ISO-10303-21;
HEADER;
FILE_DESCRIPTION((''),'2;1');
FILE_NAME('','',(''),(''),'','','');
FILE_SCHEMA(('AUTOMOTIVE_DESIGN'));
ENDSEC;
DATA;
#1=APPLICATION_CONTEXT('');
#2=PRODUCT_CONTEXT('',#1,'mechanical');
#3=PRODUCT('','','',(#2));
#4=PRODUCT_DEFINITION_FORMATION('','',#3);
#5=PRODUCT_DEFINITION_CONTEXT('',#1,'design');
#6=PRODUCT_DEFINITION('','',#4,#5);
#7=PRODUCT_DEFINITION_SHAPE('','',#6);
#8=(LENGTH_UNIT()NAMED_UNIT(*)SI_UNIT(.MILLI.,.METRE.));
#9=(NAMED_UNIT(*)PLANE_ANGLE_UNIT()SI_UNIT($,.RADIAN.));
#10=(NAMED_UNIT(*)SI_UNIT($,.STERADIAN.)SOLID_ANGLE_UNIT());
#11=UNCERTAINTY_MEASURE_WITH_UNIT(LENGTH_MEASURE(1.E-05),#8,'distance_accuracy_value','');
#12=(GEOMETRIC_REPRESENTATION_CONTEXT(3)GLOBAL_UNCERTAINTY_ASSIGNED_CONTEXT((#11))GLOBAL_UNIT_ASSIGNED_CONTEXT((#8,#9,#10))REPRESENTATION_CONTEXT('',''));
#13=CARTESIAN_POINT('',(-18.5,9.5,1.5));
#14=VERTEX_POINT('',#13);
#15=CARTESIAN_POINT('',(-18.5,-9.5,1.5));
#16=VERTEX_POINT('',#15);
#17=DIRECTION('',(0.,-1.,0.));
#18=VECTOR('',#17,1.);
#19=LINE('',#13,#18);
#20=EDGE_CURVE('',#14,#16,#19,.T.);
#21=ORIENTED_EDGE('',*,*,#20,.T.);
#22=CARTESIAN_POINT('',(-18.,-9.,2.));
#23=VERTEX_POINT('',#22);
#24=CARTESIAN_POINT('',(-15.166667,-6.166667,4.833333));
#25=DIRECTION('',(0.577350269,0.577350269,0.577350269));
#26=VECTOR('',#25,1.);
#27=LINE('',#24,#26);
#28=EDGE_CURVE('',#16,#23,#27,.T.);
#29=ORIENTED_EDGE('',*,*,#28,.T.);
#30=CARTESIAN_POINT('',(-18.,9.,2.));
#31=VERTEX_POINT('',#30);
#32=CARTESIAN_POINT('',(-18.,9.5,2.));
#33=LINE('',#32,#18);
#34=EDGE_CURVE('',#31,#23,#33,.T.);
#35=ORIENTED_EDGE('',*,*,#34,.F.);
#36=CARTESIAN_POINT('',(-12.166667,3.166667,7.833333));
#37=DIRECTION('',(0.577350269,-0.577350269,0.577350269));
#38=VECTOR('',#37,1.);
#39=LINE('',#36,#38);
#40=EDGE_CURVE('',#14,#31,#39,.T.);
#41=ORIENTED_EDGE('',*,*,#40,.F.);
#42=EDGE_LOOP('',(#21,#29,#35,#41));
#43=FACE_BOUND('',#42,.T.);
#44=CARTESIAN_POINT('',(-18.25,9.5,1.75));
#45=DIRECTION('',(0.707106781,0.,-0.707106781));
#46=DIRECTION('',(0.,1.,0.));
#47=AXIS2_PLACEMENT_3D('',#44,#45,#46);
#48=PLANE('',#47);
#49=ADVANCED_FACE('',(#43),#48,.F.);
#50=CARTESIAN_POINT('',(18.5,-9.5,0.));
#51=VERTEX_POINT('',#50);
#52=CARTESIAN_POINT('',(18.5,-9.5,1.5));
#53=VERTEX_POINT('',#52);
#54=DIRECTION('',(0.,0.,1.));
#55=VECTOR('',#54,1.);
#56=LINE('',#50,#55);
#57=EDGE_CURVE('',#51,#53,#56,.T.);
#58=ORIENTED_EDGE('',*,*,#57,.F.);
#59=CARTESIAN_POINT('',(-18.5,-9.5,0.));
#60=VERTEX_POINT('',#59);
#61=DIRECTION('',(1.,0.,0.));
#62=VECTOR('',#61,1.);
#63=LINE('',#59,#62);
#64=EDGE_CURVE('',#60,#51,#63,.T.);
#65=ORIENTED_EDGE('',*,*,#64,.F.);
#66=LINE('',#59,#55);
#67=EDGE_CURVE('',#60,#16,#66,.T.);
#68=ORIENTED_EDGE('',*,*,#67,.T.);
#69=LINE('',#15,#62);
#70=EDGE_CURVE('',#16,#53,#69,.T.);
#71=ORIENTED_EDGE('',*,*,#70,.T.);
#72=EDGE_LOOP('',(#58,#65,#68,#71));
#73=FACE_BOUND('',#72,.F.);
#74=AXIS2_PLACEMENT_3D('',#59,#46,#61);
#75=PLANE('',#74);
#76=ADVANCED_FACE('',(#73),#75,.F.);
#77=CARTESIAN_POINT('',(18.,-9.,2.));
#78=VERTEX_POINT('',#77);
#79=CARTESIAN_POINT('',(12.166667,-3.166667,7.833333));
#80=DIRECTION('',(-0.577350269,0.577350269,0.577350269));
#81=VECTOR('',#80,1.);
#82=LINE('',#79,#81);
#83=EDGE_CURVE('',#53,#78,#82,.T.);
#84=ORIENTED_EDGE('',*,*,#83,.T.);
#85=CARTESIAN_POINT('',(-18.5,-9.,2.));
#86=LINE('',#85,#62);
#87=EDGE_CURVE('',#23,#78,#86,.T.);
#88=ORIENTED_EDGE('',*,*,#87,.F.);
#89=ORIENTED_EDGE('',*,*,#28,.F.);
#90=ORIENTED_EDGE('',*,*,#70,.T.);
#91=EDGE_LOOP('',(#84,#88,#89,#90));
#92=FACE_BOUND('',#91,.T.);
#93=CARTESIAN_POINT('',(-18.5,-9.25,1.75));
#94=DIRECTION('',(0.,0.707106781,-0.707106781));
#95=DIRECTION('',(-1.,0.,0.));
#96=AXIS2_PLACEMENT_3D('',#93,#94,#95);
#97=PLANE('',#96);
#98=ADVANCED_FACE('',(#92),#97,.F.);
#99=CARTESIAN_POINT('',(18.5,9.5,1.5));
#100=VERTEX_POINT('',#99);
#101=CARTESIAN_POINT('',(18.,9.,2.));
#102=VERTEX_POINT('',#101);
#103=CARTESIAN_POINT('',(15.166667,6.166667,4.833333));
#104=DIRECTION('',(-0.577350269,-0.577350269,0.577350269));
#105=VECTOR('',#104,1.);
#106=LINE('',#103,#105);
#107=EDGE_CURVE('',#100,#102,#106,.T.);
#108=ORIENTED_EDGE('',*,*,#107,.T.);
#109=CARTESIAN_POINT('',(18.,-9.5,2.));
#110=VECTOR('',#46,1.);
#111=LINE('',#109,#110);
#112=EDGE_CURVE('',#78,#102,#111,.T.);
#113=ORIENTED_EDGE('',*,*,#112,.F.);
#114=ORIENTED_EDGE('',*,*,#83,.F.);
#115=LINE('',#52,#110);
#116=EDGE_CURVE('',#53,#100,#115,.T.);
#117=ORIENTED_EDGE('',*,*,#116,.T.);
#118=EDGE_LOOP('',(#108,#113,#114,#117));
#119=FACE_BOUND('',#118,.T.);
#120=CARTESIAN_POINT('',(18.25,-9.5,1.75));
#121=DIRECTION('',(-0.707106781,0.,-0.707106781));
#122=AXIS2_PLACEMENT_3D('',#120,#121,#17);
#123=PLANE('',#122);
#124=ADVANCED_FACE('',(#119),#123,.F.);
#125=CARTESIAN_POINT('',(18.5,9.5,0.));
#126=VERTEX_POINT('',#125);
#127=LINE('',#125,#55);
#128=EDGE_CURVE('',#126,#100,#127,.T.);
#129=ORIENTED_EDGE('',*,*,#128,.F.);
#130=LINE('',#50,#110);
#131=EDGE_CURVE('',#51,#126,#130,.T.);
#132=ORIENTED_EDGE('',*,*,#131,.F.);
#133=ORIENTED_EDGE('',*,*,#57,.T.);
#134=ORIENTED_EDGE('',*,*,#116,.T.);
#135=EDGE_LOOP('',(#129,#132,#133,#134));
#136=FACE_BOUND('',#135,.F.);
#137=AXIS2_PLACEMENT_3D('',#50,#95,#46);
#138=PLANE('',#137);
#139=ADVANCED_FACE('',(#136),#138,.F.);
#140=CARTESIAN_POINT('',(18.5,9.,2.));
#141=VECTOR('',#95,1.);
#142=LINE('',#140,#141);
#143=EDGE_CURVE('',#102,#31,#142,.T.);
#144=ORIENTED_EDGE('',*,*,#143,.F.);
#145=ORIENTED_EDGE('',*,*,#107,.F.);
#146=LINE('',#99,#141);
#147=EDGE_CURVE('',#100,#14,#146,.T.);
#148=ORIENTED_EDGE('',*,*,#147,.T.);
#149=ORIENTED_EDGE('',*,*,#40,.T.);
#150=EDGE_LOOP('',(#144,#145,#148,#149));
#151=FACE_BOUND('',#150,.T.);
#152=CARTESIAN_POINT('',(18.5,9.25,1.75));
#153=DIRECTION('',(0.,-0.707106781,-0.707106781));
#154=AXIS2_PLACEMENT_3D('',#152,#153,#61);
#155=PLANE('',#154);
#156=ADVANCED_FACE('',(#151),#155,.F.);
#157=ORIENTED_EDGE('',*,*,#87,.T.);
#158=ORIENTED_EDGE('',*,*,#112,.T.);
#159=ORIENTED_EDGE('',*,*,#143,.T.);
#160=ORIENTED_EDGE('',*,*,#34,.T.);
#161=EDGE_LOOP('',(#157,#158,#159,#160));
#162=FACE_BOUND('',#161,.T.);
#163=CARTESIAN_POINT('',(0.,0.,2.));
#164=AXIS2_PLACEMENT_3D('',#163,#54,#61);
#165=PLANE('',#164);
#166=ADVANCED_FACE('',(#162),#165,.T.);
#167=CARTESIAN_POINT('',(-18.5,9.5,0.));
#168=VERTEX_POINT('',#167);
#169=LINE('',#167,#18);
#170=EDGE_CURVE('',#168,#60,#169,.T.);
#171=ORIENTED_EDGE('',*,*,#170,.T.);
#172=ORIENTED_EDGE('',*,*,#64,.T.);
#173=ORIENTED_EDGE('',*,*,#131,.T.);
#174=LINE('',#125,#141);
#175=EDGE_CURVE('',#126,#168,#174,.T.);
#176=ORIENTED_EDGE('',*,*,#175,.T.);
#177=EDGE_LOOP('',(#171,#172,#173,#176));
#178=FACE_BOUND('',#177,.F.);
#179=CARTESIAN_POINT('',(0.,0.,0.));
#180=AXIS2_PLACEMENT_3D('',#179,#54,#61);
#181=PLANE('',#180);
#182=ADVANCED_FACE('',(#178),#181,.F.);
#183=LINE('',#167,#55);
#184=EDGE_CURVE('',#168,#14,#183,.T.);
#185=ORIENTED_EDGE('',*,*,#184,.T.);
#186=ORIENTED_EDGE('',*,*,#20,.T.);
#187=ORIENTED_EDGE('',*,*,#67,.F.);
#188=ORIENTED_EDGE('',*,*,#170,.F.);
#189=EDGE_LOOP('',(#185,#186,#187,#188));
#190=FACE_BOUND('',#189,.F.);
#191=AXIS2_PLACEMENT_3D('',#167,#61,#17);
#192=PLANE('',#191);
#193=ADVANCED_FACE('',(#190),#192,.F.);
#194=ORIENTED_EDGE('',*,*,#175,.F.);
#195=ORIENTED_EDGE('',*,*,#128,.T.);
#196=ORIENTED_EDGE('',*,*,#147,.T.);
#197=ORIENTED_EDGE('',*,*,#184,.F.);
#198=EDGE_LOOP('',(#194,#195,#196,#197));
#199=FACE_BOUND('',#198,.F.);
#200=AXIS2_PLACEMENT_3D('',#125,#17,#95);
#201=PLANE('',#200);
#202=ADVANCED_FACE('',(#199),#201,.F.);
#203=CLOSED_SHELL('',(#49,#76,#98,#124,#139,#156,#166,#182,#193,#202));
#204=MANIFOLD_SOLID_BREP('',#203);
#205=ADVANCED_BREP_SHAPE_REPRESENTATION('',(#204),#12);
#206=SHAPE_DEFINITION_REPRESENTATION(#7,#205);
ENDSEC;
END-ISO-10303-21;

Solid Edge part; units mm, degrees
sketch "Sketch1" plane through (0, 0, 0) normal (0, 0, 1) x (1, 0, 0)
  line L0 (-18.5, -9.5) -> (18.5, -9.5)
  line L1 (18.5, -9.5) -> (18.5, 9.5)
  line L2 (18.5, 9.5) -> (-18.5, 9.5)
  line L3 (-18.5, 9.5) -> (-18.5, -9.5)
  dimension "D1" = 19
  dimension "D2" = 37
extrude "Protrusion1" add sketch "Sketch1" along normal blind 2
chamfer "Fase_1" distance 0.5 angle 45 4 edges at (-18.5, 0, 2) (0, -9.5, 2) (18.5, 0, 2) (0, 9.5, 2)
